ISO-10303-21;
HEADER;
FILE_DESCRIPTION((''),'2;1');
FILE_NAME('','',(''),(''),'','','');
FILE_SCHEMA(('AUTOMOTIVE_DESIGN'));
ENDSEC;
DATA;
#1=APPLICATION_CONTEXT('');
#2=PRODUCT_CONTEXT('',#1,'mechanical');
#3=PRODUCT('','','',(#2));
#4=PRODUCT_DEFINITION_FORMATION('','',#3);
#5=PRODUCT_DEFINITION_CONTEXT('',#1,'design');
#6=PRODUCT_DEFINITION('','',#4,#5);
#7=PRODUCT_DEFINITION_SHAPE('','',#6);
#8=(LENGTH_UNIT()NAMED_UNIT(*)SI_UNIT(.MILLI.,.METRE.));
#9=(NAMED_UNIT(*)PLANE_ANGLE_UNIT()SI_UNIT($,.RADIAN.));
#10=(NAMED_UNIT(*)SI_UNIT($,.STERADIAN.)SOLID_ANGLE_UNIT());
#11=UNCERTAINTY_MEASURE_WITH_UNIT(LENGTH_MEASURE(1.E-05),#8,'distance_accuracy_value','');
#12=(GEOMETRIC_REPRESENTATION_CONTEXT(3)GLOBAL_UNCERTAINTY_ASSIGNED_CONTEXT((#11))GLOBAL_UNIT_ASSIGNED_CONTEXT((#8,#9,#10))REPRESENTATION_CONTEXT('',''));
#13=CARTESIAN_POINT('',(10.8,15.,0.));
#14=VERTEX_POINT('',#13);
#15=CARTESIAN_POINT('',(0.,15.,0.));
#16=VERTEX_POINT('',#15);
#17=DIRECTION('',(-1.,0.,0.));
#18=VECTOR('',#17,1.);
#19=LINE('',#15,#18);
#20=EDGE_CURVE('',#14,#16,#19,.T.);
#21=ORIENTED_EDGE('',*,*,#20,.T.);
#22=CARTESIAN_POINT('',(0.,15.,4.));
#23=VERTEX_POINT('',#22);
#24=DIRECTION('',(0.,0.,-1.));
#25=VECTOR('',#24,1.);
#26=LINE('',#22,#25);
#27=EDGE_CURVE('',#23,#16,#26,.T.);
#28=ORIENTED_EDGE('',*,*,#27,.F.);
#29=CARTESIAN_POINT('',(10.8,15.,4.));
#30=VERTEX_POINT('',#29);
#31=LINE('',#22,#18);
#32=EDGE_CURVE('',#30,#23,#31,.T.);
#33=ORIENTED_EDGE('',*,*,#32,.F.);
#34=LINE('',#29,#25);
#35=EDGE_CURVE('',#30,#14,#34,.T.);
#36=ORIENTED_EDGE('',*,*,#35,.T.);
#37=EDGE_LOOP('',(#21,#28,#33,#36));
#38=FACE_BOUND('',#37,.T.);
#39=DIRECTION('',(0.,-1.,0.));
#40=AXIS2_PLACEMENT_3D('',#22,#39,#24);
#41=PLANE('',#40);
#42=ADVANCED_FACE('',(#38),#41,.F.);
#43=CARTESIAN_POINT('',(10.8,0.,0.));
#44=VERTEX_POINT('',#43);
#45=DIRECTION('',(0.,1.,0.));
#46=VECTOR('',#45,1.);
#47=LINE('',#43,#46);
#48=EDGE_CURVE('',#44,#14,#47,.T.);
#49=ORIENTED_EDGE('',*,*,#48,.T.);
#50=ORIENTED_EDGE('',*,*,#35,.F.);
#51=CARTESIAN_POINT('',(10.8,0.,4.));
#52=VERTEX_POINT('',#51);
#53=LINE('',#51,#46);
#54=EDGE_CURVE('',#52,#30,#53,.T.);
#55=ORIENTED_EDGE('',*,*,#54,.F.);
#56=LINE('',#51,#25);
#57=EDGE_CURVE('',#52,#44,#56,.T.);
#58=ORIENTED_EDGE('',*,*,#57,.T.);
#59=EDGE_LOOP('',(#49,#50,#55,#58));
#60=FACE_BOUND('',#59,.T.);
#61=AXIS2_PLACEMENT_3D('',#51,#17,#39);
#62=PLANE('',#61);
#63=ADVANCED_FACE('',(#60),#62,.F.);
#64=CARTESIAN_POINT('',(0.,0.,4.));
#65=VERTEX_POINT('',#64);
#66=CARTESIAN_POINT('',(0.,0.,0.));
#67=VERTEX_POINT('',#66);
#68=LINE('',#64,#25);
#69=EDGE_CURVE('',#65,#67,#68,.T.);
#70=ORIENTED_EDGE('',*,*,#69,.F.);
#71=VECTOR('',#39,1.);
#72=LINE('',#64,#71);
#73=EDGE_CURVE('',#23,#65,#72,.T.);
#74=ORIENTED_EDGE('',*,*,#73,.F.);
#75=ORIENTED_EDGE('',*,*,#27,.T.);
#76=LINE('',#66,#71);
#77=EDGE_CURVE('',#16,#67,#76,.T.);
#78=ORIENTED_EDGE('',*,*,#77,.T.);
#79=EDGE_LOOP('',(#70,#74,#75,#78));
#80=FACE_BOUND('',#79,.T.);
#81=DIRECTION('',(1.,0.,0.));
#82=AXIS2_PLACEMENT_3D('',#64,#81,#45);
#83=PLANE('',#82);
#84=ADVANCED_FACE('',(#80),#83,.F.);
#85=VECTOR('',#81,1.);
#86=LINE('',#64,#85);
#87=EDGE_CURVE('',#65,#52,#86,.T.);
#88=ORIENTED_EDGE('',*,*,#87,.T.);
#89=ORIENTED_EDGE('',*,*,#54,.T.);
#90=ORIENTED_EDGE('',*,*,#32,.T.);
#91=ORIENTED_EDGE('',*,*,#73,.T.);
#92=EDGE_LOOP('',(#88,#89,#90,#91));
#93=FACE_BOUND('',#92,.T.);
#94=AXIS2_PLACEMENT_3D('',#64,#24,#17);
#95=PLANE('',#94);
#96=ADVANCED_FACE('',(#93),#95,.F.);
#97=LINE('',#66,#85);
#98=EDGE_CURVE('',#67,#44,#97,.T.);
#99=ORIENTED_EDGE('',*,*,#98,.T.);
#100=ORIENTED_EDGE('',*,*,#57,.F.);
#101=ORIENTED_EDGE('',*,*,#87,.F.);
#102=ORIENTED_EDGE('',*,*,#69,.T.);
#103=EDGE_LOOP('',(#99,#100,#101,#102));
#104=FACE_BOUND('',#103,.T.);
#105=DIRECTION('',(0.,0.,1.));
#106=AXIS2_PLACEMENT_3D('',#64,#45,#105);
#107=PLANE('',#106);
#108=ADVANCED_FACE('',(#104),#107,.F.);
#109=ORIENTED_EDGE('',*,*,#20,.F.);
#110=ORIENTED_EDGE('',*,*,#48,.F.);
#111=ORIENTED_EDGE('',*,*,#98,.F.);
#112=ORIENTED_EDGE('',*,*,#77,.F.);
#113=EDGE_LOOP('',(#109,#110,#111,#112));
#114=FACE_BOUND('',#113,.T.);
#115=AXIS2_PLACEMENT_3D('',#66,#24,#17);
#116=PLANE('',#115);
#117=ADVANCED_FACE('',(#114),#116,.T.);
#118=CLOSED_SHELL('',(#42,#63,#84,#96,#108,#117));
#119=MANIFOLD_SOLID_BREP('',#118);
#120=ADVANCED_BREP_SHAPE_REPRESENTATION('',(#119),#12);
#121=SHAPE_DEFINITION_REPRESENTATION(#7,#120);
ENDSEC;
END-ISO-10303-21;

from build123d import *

# Parameters (mm, degrees)
SKETCH1_W           = 10.8
SKETCH1_H           = 15
BOSS_EXTRUDE1_DEPTH = 4


with BuildPart() as part:
    # Sketch1 → Boss-Extrude1 (new body)
    with BuildSketch(Plane.XY):
        with Locations((5.4, 7.5)):
            Rectangle(SKETCH1_W, SKETCH1_H)
    extrude(amount=BOSS_EXTRUDE1_DEPTH)


solid = part.part
